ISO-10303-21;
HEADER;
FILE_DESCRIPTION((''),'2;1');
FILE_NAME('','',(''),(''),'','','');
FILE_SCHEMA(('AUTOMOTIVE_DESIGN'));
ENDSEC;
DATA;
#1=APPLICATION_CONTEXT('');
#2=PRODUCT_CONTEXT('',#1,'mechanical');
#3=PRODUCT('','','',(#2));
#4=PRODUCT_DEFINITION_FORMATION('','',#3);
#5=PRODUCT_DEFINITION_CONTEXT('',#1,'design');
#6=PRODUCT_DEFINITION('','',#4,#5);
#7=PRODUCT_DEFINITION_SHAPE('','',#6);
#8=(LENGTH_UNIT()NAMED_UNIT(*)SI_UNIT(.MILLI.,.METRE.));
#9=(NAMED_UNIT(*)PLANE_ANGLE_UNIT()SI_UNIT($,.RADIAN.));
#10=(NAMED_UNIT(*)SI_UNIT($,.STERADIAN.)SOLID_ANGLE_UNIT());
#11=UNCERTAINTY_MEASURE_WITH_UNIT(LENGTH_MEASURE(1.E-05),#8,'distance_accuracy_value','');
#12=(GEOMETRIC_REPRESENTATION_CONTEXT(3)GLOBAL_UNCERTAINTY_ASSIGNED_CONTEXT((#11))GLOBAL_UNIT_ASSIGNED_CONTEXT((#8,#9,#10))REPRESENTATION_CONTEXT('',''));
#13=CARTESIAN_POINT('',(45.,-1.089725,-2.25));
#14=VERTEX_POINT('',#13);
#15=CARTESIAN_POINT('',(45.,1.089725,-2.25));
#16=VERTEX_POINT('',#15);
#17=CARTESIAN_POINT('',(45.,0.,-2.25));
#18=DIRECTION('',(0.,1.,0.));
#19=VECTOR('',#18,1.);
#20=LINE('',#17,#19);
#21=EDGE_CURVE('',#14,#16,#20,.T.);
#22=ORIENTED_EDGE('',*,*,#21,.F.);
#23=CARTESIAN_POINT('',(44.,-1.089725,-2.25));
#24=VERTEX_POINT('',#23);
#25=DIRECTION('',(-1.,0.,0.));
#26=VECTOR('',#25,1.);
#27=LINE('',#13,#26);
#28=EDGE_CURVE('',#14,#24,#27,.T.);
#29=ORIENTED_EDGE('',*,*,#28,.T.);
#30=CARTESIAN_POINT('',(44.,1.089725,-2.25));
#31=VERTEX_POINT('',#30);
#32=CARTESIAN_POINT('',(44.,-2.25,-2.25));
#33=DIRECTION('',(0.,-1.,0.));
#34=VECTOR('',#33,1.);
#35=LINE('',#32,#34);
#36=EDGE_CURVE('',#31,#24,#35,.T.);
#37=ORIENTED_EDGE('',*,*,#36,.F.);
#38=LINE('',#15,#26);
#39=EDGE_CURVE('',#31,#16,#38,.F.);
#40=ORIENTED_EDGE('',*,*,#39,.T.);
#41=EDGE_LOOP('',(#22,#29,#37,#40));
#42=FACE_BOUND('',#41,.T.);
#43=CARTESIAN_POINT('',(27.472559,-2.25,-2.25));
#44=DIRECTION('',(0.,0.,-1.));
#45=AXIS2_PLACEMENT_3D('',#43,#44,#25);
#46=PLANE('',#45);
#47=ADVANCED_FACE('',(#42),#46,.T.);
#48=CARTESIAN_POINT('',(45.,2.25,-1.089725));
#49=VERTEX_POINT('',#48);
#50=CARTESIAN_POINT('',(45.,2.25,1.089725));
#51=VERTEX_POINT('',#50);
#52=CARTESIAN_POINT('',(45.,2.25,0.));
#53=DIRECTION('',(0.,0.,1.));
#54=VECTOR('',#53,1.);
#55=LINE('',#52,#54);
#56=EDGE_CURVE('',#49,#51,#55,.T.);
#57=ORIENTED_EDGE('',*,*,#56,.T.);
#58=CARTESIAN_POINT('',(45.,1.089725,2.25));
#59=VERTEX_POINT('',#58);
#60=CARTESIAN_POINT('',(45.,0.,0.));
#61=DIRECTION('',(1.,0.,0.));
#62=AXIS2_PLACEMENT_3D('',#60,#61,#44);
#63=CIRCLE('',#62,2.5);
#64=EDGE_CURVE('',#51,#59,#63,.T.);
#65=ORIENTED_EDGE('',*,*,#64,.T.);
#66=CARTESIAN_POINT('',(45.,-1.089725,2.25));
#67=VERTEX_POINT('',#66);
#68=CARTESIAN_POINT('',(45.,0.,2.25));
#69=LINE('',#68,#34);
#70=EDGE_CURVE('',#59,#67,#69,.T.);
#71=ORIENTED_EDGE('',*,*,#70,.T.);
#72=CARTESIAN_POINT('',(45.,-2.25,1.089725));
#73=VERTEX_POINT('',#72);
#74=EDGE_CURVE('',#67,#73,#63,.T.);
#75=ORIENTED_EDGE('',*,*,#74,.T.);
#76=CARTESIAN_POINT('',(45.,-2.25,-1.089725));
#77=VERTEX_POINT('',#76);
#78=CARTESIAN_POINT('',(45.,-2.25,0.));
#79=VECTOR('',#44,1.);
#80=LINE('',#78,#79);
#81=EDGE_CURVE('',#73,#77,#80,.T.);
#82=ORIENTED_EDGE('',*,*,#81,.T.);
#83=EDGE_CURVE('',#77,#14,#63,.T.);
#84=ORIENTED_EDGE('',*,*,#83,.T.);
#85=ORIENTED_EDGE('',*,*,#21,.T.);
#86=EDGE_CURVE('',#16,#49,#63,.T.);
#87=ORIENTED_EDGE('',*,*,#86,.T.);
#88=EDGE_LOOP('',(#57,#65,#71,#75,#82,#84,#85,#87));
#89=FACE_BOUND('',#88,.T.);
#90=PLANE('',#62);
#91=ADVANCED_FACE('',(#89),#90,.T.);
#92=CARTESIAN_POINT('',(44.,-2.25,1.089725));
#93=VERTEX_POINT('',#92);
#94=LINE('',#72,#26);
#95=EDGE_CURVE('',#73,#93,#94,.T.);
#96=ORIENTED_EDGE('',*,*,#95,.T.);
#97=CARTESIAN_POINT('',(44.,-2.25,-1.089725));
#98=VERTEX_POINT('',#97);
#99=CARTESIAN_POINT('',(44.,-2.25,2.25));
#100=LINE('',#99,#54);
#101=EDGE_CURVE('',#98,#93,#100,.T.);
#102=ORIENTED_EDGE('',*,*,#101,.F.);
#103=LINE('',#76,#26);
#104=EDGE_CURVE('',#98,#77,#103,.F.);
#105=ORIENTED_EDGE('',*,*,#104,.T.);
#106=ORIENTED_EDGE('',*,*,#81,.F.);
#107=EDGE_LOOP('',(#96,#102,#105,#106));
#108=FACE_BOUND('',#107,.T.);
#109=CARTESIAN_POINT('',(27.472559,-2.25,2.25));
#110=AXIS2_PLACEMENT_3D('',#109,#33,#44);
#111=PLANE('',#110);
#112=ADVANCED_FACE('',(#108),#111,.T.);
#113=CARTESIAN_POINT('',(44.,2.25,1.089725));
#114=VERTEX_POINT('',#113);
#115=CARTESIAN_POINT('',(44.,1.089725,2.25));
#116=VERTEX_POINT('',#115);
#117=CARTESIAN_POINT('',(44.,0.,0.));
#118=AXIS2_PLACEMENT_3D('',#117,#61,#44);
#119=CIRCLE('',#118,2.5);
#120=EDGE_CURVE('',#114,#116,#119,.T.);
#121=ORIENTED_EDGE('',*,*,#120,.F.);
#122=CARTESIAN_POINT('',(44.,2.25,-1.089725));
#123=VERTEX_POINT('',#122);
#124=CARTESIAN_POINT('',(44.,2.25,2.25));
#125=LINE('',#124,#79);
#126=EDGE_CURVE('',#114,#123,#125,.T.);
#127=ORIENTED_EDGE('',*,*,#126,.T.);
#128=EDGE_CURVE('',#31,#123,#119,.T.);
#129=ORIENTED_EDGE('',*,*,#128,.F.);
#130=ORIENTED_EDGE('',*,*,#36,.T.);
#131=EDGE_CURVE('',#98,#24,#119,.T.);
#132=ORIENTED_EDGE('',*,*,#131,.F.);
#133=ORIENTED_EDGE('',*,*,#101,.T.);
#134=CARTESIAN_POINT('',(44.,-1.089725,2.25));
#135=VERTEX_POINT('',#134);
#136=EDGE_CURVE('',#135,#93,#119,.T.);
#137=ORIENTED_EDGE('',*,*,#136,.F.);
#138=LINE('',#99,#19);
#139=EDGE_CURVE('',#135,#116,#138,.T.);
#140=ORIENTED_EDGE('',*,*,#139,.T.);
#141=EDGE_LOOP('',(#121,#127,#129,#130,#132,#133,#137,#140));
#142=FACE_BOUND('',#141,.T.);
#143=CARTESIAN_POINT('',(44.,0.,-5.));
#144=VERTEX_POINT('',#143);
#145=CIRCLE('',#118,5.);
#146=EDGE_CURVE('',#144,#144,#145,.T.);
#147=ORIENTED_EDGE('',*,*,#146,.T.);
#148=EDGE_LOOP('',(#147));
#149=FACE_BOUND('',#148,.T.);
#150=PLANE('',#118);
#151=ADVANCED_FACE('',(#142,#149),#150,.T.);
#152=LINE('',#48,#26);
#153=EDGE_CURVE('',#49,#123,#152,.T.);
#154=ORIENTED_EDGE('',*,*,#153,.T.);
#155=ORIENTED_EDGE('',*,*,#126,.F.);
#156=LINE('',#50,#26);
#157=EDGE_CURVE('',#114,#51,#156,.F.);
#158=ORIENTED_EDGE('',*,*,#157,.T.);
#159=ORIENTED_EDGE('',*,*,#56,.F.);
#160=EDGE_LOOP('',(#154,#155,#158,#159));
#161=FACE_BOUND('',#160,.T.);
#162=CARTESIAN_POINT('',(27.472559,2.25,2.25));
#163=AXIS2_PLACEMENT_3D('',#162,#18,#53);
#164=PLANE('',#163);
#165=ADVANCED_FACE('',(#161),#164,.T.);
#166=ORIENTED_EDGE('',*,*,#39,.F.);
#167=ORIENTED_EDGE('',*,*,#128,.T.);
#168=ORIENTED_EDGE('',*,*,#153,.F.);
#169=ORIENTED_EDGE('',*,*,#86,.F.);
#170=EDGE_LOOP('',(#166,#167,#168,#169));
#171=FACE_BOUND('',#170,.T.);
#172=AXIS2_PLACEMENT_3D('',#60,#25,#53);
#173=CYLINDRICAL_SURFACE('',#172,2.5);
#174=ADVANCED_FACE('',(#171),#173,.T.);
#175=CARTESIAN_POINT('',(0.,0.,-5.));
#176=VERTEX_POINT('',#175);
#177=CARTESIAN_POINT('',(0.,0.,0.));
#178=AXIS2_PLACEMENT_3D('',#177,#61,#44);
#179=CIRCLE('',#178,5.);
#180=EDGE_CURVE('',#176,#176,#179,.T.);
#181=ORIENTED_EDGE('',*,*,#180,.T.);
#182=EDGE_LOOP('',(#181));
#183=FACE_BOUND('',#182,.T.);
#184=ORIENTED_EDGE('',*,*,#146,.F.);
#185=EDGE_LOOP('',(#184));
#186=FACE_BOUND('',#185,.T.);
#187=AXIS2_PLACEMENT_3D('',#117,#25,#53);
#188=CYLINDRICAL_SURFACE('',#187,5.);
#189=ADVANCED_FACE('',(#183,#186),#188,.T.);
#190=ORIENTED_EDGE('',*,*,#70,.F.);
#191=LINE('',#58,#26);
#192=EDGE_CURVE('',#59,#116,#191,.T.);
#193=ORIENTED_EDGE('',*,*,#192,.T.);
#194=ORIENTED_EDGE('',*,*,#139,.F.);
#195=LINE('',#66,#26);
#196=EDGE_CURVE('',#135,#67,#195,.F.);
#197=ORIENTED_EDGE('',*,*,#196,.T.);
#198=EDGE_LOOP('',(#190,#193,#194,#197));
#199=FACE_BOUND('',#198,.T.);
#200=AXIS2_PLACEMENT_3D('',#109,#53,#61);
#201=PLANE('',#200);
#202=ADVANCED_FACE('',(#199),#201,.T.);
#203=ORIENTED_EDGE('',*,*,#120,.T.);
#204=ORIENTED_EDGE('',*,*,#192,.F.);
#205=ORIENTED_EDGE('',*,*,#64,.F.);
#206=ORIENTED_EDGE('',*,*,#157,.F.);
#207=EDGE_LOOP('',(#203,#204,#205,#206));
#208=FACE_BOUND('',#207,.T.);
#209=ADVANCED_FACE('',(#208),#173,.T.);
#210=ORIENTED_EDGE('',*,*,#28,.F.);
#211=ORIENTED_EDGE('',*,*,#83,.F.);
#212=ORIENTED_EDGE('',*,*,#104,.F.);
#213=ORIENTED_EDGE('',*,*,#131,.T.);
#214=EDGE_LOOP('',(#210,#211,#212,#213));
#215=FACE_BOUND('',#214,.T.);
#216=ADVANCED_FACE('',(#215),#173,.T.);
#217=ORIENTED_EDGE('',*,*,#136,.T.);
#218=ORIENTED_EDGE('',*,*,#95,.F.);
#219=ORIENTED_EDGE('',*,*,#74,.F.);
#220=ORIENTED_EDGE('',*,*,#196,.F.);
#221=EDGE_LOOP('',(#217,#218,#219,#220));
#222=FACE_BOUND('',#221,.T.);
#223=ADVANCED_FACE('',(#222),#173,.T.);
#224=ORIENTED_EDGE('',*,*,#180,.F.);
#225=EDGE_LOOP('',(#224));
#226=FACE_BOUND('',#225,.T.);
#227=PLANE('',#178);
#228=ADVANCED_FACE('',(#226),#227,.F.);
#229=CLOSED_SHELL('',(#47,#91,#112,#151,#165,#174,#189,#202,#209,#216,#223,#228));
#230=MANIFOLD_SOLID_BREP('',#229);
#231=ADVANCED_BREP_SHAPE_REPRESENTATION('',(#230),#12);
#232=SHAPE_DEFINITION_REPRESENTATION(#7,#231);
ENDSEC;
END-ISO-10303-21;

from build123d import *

# Parameters (mm, degrees)
SKETCH1_R           = 5
BOSS_EXTRUDE1_DEPTH = 44
SKETCH2_R           = 2.5
BOSS_EXTRUDE2_DEPTH = 1
SKETCH3_OUTSIDE_W   = 21.434
SKETCH3_OUTSIDE_H   = 21.434
SKETCH3_OUTSIDE_W_2 = 4.5
SKETCH3_OUTSIDE_H_2 = 4.5
CUT_EXTRUDE1_DEPTH  = 1


with BuildPart() as part:
    # Sketch1 → Boss-Extrude1 (new body)
    with BuildSketch(Plane(origin=(0, 0, 0), x_dir=(0, 0, -1), z_dir=(1, 0, 0))):
        Circle(SKETCH1_R)
    extrude(amount=BOSS_EXTRUDE1_DEPTH)

    # Sketch2 → Boss-Extrude2 (add)
    with BuildSketch(Plane(origin=(44, 0, 0), x_dir=(0, 0, -1), z_dir=(1, 0, 0))):
        Circle(SKETCH2_R)
    extrude(amount=BOSS_EXTRUDE2_DEPTH)

    # Sketch3 outside → Cut-Extrude1 (cut)
    with BuildSketch(Plane(origin=(45, 0, 0), x_dir=(0, 0, -1), z_dir=(1, 0, 0))):
        Rectangle(SKETCH3_OUTSIDE_W, SKETCH3_OUTSIDE_H)
        Rectangle(SKETCH3_OUTSIDE_W_2, SKETCH3_OUTSIDE_H_2, mode=Mode.SUBTRACT)
    extrude(amount=-CUT_EXTRUDE1_DEPTH, mode=Mode.SUBTRACT)


solid = part.part
